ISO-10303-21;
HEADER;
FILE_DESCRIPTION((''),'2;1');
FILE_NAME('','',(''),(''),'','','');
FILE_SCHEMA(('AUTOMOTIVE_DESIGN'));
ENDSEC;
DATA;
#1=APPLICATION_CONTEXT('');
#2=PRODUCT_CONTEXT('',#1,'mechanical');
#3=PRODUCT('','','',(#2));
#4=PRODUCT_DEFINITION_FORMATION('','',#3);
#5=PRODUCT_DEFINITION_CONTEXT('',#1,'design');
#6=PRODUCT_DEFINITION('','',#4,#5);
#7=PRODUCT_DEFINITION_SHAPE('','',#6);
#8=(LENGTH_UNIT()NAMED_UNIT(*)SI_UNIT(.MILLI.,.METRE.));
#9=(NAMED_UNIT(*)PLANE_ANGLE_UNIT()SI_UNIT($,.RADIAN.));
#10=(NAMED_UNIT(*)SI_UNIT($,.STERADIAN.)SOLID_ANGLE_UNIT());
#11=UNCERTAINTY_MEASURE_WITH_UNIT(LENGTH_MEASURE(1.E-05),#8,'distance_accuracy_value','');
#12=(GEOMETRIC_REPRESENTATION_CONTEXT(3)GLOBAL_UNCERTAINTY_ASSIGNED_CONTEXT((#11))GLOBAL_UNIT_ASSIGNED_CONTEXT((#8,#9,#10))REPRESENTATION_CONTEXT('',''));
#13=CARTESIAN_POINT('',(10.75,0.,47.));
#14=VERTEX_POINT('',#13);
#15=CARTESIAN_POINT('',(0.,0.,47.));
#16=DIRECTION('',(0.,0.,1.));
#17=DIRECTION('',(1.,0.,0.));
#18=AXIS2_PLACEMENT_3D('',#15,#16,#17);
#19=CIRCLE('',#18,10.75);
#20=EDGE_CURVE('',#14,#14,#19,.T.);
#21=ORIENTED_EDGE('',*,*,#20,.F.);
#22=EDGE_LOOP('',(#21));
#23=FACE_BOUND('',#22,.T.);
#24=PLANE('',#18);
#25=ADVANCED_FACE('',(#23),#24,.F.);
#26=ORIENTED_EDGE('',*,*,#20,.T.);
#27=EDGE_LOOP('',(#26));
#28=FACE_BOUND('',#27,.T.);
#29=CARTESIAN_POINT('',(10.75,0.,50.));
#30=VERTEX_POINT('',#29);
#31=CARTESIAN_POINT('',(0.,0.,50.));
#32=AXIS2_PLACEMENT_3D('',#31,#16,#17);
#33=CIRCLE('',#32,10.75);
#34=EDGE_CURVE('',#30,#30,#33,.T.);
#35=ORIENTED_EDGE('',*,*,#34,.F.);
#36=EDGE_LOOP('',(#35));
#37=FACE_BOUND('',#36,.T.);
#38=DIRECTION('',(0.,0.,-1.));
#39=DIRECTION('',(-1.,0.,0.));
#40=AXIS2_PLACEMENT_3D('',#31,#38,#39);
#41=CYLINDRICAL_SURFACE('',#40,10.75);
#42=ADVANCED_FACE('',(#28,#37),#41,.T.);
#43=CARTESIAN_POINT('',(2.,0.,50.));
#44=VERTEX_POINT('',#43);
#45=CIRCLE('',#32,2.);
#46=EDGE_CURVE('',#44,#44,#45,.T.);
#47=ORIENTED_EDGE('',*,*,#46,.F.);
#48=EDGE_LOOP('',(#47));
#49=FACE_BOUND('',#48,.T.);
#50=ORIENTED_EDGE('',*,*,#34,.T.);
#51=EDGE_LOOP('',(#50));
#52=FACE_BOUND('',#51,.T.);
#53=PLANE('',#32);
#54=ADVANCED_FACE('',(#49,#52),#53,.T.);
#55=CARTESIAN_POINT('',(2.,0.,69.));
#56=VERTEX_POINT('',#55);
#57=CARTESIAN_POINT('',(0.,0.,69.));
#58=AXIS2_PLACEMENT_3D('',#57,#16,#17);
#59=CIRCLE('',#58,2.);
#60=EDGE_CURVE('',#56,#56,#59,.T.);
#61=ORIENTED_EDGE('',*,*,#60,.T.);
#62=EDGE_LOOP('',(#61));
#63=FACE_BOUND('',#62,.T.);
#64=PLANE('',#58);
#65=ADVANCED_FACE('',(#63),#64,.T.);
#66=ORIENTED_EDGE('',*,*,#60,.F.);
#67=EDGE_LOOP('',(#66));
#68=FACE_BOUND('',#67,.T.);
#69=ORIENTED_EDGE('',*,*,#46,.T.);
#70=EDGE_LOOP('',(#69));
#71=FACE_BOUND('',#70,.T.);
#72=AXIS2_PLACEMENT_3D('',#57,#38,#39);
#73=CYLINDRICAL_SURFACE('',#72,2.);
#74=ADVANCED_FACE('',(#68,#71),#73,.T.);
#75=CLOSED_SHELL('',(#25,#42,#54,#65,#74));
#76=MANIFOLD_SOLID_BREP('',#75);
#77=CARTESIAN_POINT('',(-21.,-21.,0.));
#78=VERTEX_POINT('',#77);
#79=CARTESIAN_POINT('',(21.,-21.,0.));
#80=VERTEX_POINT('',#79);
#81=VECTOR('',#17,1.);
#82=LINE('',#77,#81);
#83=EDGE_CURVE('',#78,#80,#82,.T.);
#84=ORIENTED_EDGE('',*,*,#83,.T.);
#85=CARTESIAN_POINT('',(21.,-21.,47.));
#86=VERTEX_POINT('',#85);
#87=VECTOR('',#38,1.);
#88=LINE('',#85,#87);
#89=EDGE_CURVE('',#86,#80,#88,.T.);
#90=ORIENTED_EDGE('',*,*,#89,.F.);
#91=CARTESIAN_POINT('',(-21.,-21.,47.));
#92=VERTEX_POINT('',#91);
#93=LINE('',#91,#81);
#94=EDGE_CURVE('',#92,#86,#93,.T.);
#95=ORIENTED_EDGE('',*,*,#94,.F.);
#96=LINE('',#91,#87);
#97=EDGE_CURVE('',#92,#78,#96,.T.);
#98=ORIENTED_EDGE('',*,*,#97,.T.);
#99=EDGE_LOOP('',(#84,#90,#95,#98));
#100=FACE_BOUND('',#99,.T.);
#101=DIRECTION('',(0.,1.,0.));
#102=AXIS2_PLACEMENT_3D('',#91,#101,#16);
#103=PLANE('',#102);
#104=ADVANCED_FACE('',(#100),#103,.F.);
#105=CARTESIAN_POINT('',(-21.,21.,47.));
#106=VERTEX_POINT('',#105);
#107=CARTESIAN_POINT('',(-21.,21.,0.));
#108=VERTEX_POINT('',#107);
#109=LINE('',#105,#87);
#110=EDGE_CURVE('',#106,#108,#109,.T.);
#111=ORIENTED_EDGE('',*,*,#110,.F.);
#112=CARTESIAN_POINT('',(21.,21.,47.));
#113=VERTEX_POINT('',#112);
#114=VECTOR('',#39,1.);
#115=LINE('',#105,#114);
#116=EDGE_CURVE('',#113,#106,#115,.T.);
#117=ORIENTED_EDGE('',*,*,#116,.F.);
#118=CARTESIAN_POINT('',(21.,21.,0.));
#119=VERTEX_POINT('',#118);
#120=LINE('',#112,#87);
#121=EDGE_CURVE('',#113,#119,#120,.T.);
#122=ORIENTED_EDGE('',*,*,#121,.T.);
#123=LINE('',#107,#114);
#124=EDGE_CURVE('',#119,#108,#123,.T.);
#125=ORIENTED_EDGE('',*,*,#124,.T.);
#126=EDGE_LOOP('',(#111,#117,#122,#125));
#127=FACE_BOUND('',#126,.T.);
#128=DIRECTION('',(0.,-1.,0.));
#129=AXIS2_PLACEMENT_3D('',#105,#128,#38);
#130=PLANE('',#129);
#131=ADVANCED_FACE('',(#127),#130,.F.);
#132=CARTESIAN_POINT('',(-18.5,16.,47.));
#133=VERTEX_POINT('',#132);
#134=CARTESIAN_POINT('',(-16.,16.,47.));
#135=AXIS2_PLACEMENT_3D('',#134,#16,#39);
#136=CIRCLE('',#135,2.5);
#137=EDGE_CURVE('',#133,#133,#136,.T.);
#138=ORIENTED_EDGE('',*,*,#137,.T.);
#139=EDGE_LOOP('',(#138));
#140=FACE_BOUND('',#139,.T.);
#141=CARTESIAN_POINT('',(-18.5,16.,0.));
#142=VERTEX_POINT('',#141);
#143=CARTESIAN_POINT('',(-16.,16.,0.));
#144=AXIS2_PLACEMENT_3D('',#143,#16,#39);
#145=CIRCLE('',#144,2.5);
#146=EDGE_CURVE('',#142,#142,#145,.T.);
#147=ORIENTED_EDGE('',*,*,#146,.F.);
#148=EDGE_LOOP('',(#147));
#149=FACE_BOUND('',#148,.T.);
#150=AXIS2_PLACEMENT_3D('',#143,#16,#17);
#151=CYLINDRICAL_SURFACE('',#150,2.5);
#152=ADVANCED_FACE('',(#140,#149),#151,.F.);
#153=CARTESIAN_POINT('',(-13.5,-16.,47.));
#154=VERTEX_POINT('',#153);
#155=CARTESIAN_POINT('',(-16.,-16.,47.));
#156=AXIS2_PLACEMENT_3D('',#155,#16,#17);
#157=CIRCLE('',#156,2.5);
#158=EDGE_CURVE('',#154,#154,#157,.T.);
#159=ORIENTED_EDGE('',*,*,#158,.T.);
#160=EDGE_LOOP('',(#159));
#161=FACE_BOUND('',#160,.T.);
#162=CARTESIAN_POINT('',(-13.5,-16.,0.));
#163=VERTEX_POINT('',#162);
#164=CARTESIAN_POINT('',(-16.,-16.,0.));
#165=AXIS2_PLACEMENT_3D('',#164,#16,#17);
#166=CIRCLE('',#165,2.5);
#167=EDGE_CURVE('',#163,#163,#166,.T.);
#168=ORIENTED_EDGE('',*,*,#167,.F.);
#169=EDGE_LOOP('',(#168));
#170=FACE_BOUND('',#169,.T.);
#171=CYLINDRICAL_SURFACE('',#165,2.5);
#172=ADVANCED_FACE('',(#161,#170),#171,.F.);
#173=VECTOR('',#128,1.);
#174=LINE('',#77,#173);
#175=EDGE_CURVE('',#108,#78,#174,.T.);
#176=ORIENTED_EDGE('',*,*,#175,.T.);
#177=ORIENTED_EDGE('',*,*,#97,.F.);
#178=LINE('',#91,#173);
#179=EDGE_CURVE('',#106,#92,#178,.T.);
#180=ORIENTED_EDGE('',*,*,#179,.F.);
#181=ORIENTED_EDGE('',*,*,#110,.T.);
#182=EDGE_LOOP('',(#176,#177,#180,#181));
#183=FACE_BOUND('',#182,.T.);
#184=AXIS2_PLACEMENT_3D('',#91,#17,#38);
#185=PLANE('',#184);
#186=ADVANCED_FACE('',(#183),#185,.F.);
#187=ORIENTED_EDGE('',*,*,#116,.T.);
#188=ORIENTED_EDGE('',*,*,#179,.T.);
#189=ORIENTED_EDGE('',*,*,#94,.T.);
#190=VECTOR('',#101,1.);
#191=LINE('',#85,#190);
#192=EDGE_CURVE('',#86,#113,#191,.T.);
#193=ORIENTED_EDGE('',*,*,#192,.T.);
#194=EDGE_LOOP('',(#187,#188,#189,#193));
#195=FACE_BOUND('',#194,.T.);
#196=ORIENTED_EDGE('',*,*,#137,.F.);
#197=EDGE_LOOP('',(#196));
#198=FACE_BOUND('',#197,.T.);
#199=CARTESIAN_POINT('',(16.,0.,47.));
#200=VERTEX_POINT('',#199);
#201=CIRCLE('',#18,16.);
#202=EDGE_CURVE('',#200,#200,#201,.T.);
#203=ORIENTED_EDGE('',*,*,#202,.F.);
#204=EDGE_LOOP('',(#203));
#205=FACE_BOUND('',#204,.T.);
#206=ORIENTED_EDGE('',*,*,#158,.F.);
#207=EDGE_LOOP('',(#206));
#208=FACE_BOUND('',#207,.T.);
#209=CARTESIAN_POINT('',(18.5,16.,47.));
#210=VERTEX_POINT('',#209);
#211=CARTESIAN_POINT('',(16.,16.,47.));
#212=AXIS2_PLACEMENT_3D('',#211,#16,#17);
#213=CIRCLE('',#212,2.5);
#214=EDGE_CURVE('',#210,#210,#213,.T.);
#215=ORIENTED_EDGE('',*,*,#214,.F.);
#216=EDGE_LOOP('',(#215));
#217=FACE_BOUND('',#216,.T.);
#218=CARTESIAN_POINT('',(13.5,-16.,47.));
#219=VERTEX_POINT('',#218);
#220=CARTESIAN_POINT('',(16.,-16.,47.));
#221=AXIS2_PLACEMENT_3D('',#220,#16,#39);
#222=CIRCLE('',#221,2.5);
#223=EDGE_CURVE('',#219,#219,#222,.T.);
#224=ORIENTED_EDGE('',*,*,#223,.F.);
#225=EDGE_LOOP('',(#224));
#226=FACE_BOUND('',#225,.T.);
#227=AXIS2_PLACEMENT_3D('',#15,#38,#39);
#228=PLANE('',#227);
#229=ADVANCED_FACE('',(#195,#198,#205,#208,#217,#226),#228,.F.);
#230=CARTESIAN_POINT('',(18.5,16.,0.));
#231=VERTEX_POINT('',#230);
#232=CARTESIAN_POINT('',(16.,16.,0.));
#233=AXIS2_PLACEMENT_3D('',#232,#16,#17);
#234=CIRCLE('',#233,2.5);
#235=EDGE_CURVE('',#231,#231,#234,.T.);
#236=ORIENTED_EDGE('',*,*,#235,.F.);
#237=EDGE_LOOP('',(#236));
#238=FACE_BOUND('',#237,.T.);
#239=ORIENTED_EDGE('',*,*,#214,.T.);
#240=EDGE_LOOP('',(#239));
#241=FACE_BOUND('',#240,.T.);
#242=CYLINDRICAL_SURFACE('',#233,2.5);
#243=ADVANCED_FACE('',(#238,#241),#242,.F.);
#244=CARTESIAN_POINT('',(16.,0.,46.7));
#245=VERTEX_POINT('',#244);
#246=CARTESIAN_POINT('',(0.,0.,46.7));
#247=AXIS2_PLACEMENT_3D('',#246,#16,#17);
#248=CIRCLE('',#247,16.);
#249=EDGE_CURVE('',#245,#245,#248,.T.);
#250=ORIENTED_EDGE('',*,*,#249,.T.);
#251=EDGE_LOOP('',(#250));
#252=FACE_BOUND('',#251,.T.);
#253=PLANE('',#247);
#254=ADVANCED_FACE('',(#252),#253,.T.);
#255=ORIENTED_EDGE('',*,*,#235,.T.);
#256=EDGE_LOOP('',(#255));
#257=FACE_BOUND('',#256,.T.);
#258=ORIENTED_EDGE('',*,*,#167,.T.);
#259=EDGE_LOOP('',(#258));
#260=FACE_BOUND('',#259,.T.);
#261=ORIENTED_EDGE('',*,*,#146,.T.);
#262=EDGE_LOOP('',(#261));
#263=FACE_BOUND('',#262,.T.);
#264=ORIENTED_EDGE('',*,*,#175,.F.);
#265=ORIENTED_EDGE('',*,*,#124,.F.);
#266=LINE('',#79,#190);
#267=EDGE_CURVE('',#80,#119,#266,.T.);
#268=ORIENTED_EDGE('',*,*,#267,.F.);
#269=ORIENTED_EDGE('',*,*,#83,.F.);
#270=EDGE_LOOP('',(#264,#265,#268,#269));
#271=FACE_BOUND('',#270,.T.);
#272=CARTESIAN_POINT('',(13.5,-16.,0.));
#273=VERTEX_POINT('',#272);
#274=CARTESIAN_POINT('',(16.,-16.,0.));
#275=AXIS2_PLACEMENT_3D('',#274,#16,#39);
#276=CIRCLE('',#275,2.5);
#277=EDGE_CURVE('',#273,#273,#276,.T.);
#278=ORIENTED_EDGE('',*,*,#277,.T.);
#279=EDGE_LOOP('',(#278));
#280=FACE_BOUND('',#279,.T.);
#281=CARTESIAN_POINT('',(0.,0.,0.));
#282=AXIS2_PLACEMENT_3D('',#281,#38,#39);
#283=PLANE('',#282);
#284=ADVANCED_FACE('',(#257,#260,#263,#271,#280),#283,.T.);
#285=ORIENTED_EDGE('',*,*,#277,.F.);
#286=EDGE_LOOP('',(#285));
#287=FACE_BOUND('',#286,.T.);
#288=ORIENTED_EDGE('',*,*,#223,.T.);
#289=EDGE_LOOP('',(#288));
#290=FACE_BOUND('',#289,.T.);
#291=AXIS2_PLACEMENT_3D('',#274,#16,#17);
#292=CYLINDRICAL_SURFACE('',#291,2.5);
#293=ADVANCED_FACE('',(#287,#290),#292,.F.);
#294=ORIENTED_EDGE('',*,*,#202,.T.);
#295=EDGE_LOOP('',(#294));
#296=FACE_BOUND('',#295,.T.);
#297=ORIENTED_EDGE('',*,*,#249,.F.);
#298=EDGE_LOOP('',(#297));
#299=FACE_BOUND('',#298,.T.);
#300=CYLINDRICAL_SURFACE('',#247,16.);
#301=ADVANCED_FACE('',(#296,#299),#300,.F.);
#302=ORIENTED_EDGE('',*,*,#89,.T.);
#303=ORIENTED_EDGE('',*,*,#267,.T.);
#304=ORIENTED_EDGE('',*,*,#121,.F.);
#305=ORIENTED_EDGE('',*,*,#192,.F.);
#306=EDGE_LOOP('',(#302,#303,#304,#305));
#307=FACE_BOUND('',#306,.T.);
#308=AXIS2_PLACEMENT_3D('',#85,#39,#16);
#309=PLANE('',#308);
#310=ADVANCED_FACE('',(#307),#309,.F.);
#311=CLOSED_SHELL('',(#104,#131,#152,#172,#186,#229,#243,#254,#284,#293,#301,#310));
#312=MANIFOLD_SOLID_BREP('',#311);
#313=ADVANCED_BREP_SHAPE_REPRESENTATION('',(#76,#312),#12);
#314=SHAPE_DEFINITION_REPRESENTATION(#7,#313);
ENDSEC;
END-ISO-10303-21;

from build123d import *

# Parameters (mm, degrees)
SKETCH1_W           = 42
SKETCH1_H           = 42
BOSS_EXTRUDE1_DEPTH = 47
SKETCH2_R           = 2.5
CUT_EXTRUDE1_DEPTH  = 47
SKETCH13_R          = 10.75
BOSS_EXTRUDE5_DEPTH = 3
SKETCH12_R          = 16
CUT_EXTRUDE2_DEPTH  = 0.3
SKETCH14_R          = 2
BOSS_EXTRUDE6_DEPTH = 19


with BuildPart() as part:
    # Sketch1 → Boss-Extrude1 (new body)
    with BuildSketch(Plane.XY):
        Rectangle(SKETCH1_W, SKETCH1_H)
    extrude(amount=BOSS_EXTRUDE1_DEPTH)

    # Sketch2 → Cut-Extrude1 (cut)
    with BuildSketch(Plane.XY.offset(47)):
        with Locations((16, 16)):
            Circle(SKETCH2_R)
        with Locations(Location((-16, 16, 0), (0, 0, 180))):
            Circle(SKETCH2_R)
        with Locations(Location((16, -16, 0), (0, 0, 180))):
            Circle(SKETCH2_R)
        with Locations((-16, -16)):
            Circle(SKETCH2_R)
    extrude(amount=-CUT_EXTRUDE1_DEPTH, mode=Mode.SUBTRACT)

    # Sketch13 → Boss-Extrude5 (add)
    with BuildSketch(Plane.XY.offset(47)):
        with Locations(Location((0, 0, 0), (0, 0, 180))):
            Circle(SKETCH13_R)
    extrude(amount=BOSS_EXTRUDE5_DEPTH)

    # Sketch12 → Cut-Extrude2 (cut)
    with BuildSketch(Plane.XY.offset(47)):
        Circle(SKETCH12_R)
    extrude(amount=-CUT_EXTRUDE2_DEPTH, mode=Mode.SUBTRACT)


with BuildPart() as cut_extrude2_piece_1:
    # of the separate pieces the step leaves, piece 1, a body of its own (cut_extrude2_pieces)
    add(part.part.solids().sort_by_distance((-21, -21, 0))[0])


with BuildPart() as cut_extrude2_piece_2:
    # of the separate pieces the step leaves, piece 2, a body of its own (cut_extrude2_pieces)
    add(part.part.solids().sort_by_distance((-10.75, 0, 47))[0])

    # Sketch14 → Boss-Extrude6 (add)
    with BuildSketch(Plane.XY.offset(50)):
        Circle(SKETCH14_R)
    extrude(amount=BOSS_EXTRUDE6_DEPTH)


solid = Compound([cut_extrude2_piece_1.part, cut_extrude2_piece_2.part])
